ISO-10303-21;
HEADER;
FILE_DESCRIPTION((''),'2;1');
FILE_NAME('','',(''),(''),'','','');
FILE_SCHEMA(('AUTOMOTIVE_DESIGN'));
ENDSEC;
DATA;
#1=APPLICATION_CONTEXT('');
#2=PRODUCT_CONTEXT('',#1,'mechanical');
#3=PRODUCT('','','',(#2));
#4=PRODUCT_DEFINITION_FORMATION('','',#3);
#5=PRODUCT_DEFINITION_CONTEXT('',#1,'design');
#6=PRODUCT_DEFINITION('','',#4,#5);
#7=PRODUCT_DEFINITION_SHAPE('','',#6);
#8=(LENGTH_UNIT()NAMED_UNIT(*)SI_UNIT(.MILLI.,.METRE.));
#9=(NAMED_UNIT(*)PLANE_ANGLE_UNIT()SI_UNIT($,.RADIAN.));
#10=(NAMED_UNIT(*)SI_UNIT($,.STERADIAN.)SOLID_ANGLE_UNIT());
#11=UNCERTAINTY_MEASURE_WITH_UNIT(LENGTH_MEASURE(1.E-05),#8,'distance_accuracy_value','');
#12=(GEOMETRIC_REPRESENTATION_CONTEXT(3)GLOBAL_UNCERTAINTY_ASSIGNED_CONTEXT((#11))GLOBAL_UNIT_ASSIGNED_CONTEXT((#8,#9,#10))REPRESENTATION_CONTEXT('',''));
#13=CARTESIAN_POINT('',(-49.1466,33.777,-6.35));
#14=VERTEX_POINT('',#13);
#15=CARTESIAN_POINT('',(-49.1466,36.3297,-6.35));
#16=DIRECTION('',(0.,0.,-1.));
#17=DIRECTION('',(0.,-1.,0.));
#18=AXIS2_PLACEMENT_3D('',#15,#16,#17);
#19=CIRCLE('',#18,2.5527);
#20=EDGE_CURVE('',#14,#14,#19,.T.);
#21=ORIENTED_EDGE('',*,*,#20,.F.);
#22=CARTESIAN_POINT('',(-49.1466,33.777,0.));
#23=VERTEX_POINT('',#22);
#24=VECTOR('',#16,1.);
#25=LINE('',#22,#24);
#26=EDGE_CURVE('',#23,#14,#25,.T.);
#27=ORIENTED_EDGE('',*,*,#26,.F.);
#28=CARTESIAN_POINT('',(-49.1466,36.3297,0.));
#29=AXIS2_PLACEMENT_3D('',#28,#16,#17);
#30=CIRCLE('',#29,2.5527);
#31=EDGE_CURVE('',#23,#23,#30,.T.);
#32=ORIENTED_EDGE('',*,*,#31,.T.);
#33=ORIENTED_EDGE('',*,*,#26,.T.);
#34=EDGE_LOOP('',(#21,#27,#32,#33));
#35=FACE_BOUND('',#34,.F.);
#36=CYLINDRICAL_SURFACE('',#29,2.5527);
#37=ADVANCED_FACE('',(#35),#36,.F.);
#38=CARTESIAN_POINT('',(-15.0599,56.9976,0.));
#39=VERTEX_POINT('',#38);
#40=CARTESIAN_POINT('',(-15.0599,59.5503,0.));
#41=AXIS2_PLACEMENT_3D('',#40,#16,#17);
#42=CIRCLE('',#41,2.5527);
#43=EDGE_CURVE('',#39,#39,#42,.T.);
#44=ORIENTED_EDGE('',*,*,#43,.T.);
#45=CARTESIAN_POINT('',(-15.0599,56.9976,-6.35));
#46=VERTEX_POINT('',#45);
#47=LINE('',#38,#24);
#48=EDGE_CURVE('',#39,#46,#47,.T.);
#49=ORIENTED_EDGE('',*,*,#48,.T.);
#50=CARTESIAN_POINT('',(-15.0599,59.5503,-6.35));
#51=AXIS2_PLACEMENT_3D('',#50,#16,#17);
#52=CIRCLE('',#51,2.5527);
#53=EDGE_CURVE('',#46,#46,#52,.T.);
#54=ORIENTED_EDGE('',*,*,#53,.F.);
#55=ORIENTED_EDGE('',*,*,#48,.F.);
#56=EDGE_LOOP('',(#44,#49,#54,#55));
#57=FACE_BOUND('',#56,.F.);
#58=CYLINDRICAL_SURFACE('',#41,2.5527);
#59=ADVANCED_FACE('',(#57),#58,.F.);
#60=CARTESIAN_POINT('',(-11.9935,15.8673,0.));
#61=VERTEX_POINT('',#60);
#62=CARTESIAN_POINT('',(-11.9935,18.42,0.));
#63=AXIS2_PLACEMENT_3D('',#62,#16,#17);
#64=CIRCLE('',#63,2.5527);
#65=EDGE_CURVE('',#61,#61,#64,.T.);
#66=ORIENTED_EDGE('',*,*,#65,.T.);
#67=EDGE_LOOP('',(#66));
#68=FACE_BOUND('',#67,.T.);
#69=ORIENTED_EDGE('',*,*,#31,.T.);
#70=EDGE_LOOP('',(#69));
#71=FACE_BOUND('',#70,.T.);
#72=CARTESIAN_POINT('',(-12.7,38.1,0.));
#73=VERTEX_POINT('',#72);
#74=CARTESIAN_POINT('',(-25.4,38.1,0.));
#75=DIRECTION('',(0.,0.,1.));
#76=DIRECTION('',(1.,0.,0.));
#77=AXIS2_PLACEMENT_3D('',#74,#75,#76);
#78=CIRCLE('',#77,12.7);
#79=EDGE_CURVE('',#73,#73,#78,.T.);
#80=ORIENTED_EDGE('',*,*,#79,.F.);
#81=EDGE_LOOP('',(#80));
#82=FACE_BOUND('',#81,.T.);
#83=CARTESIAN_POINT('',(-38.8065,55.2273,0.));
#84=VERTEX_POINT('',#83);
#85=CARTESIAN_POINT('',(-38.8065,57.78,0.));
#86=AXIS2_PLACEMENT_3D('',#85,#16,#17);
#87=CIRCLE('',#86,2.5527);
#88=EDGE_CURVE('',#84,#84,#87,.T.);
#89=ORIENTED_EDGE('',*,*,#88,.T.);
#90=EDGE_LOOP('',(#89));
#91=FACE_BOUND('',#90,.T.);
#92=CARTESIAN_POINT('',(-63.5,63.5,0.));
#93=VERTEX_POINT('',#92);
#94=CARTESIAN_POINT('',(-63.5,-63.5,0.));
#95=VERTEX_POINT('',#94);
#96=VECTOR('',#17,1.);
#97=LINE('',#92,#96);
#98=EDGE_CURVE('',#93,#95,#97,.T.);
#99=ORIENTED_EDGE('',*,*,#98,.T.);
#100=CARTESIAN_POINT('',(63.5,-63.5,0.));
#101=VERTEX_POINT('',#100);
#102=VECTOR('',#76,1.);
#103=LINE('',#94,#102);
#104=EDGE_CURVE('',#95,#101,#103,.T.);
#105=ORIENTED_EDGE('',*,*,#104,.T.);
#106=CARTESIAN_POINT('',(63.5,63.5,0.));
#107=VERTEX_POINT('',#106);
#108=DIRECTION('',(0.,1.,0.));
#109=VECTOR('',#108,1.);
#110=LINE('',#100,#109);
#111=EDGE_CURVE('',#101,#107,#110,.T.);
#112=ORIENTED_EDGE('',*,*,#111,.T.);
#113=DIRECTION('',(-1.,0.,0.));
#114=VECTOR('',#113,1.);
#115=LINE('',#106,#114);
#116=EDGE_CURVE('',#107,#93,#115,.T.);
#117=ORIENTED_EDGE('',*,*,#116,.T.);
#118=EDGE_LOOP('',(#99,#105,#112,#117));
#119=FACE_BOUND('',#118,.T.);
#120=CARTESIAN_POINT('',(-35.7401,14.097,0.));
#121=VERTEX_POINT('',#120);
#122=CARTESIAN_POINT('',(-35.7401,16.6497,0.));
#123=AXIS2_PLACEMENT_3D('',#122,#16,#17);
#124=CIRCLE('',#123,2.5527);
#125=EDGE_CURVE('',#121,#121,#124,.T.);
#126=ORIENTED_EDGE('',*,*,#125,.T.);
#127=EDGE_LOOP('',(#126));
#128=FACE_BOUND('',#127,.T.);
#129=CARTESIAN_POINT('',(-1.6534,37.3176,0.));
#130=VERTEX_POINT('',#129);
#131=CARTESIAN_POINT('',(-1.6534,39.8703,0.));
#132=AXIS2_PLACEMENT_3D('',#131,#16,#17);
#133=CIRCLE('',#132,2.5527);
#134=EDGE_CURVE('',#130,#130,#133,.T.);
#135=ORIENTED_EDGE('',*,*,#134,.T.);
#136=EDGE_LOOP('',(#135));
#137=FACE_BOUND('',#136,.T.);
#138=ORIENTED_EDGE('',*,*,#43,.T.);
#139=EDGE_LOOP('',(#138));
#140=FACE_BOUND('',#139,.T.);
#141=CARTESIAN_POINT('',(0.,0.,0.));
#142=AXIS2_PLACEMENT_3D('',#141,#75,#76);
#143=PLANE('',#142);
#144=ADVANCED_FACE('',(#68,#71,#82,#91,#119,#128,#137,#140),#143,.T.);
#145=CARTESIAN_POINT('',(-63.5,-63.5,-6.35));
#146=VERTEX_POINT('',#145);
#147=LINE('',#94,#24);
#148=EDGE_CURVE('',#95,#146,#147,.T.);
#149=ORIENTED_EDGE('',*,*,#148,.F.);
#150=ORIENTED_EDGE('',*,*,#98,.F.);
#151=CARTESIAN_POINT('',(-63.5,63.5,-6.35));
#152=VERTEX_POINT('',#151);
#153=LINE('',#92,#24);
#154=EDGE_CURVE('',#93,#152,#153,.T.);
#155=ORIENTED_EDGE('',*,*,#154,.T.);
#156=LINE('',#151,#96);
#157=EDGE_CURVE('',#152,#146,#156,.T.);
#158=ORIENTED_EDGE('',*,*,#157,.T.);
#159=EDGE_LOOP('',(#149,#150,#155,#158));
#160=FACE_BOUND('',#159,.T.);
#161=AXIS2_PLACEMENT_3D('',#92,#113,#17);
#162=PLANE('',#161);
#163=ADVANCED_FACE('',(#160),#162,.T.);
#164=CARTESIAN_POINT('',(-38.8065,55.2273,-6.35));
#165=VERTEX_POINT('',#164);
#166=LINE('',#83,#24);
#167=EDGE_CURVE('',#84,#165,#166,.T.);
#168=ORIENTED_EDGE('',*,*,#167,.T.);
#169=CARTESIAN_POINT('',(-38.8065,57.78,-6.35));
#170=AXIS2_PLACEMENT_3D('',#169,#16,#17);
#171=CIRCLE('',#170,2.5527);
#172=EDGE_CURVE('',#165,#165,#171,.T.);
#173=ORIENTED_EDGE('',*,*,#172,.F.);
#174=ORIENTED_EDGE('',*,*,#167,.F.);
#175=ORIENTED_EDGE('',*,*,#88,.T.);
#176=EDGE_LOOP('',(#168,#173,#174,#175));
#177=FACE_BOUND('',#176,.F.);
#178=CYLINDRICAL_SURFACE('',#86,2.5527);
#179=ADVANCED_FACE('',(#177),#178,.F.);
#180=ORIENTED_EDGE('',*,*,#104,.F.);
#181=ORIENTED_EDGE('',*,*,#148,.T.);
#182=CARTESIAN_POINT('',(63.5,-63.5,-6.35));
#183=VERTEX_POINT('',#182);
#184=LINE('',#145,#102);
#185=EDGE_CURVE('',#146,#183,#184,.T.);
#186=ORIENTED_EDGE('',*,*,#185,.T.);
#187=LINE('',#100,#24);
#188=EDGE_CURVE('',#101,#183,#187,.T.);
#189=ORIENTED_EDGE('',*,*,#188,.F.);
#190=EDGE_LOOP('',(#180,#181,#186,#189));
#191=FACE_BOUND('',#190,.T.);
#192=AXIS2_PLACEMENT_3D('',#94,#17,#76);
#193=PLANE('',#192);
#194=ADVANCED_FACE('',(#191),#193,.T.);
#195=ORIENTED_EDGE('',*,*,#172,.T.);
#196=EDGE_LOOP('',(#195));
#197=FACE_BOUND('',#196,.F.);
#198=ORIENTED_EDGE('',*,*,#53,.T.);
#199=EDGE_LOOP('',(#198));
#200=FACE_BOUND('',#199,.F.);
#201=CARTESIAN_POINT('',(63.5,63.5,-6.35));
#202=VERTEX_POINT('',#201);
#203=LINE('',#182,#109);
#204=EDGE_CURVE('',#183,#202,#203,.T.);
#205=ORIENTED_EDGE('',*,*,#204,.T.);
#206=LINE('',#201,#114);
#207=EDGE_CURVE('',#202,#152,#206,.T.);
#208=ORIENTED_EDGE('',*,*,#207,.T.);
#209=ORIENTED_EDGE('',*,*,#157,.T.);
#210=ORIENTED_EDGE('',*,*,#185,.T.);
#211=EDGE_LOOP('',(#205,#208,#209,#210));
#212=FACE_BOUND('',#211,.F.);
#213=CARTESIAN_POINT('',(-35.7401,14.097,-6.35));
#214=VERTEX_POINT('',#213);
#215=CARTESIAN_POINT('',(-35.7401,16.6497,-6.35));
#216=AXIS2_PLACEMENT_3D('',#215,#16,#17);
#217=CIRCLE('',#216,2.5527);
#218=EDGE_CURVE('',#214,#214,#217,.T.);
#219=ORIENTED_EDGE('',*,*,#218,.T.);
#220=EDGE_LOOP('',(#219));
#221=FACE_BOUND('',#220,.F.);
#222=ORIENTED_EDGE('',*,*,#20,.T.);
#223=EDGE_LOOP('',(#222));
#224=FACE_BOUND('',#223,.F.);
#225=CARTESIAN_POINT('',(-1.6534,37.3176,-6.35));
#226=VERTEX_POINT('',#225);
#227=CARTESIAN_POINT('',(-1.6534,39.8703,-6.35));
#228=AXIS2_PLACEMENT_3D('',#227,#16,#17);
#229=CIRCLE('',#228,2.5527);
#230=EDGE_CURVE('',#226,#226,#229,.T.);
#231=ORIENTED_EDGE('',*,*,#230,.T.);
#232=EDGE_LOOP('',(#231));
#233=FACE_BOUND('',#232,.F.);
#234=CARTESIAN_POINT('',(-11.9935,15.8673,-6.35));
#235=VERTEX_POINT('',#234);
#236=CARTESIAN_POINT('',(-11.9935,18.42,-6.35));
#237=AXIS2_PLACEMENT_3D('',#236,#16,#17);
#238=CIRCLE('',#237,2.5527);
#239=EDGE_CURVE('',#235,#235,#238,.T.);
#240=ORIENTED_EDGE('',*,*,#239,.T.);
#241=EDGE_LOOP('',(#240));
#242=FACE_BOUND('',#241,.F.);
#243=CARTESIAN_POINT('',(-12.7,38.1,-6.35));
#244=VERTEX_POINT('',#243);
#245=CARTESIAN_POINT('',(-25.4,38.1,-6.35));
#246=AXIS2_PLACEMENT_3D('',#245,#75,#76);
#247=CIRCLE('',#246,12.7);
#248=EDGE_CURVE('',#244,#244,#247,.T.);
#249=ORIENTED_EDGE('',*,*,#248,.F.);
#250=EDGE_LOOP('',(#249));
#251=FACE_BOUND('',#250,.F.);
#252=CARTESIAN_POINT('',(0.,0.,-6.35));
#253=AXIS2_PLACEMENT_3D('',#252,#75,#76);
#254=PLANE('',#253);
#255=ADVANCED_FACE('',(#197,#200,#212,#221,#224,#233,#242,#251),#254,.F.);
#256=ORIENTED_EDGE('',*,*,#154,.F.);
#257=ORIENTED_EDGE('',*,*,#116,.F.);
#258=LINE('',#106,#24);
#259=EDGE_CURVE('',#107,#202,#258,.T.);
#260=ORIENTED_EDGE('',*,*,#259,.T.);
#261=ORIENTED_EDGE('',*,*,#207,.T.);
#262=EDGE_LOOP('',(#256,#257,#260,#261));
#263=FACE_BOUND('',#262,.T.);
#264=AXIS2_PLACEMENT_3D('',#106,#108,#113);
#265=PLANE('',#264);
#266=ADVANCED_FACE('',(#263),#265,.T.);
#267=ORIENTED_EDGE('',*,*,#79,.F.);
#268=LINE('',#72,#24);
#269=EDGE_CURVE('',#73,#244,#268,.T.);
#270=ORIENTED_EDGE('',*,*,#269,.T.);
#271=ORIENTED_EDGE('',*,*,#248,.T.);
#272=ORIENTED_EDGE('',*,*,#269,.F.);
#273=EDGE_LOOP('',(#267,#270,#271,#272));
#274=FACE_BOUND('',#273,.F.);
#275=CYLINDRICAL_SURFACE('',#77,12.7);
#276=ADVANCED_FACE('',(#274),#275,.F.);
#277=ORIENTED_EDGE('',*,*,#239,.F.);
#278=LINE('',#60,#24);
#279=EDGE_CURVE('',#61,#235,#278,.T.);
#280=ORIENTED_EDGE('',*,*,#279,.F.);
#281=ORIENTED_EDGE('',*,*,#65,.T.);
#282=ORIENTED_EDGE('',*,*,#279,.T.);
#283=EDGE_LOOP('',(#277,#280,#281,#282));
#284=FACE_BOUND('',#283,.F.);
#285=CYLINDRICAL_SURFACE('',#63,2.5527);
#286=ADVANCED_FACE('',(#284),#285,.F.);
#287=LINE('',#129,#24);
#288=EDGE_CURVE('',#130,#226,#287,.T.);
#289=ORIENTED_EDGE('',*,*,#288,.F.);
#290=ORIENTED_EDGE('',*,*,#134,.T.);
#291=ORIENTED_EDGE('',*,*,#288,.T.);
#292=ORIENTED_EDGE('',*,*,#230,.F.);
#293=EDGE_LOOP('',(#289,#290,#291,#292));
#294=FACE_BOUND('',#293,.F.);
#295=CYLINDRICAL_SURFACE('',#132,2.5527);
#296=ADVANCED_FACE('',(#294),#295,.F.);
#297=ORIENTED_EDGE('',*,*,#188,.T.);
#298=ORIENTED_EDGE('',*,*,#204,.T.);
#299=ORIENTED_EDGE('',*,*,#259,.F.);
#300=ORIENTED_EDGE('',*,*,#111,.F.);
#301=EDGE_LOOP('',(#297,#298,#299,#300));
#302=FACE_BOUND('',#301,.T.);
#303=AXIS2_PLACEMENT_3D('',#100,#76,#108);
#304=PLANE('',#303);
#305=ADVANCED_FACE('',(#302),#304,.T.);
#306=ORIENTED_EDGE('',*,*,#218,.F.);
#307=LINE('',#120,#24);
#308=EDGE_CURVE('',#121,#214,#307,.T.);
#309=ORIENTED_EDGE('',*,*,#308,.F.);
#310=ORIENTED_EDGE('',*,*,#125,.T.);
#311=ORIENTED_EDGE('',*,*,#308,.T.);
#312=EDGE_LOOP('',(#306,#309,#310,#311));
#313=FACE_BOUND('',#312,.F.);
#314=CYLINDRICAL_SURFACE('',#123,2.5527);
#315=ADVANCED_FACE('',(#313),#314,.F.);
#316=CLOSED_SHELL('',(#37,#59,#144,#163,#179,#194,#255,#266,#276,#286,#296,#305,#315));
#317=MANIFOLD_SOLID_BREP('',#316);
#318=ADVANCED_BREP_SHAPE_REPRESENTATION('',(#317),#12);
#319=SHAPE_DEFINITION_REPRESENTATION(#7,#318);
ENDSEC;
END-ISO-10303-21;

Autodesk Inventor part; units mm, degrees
ref_plane "YZ Plane" through (0, 0, 0) normal (1, 0, 0) x (0, 1, 0)
ref_plane "XZ Plane" through (0, 0, 0) normal (0, 1, 0) x (-1, 0, 0)
ref_plane "XY Plane" through (0, 0, 0) normal (0, 0, 1) x (1, 0, 0)
sketch "Sketch1" plane through (0, 0, 0) normal (0, 0, 1) x (1, 0, 0)
  line L0 (-63.5, -63.5) -> (63.5, -63.5)
  line L1 (63.5, -63.5) -> (63.5, 63.5)
  line L2 (63.5, 63.5) -> (-63.5, 63.5)
  line L3 (-63.5, 63.5) -> (-63.5, -63.5)
  point P0 (0, 0)
  dimension "d19" = 63.5
extrude "Extrusion1" add sketch "Sketch1" against normal blind 6.35
sketch "Sketch2" plane through (0, 0, 0) normal (0, 0, 1) x (1, 0, 0)
  circle A0 centre (-25.4, 38.1) radius 12.7
  line L0 (63.5, 63.5) -> (-63.5, 63.5) projected
  line L1 (-63.5, -63.5) -> (-63.5, 63.5) projected
  dimension "d4" = 25.4
  dimension "d20" = 25.4
  dimension "d23" = 38.1
extrude "Extrusion2" cut sketch "Sketch2" against normal through all
sketch "Sketch3" plane through (0, 0, 0) normal (0, 0, 1) x (1, 0, 0)
  circle A0 centre (-25.4, 38.1) radius 23.8125 construction
  line L0 (63.5, 63.5) -> (-63.5, 63.5) projected
  line L1 (-63.5, 63.5) -> (-63.5, -63.5) projected
  point P0 (-15.0599, 59.5503)
  point P1 (-1.6534, 39.8703)
  point P2 (-11.9935, 18.42)
  point P3 (-35.7401, 16.6497)
  point P4 (-49.1466, 36.3297)
  point P5 (-38.8065, 57.78)
  dimension "d7" = 47.625
  dimension "d10" = 360
  dimension "d21" = 25.4
  dimension "d22" = 38.1
hole "Hole1" at (-15.0599, 59.5503, 0) at (-1.6534, 39.8703, 0) at (-11.9935, 18.42, 0) at (-35.7401, 16.6497, 0) at (-49.1466, 36.3297, 0) at (-38.8065, 57.78, 0) direction (0, 0, -1) diameter 5.1054 end through all clearance for "Flat Head Machine Screw (82)" size "#10" standard "Ansi Unified Screw Threads"
properties part number "supportPlateForLinearActuator"
